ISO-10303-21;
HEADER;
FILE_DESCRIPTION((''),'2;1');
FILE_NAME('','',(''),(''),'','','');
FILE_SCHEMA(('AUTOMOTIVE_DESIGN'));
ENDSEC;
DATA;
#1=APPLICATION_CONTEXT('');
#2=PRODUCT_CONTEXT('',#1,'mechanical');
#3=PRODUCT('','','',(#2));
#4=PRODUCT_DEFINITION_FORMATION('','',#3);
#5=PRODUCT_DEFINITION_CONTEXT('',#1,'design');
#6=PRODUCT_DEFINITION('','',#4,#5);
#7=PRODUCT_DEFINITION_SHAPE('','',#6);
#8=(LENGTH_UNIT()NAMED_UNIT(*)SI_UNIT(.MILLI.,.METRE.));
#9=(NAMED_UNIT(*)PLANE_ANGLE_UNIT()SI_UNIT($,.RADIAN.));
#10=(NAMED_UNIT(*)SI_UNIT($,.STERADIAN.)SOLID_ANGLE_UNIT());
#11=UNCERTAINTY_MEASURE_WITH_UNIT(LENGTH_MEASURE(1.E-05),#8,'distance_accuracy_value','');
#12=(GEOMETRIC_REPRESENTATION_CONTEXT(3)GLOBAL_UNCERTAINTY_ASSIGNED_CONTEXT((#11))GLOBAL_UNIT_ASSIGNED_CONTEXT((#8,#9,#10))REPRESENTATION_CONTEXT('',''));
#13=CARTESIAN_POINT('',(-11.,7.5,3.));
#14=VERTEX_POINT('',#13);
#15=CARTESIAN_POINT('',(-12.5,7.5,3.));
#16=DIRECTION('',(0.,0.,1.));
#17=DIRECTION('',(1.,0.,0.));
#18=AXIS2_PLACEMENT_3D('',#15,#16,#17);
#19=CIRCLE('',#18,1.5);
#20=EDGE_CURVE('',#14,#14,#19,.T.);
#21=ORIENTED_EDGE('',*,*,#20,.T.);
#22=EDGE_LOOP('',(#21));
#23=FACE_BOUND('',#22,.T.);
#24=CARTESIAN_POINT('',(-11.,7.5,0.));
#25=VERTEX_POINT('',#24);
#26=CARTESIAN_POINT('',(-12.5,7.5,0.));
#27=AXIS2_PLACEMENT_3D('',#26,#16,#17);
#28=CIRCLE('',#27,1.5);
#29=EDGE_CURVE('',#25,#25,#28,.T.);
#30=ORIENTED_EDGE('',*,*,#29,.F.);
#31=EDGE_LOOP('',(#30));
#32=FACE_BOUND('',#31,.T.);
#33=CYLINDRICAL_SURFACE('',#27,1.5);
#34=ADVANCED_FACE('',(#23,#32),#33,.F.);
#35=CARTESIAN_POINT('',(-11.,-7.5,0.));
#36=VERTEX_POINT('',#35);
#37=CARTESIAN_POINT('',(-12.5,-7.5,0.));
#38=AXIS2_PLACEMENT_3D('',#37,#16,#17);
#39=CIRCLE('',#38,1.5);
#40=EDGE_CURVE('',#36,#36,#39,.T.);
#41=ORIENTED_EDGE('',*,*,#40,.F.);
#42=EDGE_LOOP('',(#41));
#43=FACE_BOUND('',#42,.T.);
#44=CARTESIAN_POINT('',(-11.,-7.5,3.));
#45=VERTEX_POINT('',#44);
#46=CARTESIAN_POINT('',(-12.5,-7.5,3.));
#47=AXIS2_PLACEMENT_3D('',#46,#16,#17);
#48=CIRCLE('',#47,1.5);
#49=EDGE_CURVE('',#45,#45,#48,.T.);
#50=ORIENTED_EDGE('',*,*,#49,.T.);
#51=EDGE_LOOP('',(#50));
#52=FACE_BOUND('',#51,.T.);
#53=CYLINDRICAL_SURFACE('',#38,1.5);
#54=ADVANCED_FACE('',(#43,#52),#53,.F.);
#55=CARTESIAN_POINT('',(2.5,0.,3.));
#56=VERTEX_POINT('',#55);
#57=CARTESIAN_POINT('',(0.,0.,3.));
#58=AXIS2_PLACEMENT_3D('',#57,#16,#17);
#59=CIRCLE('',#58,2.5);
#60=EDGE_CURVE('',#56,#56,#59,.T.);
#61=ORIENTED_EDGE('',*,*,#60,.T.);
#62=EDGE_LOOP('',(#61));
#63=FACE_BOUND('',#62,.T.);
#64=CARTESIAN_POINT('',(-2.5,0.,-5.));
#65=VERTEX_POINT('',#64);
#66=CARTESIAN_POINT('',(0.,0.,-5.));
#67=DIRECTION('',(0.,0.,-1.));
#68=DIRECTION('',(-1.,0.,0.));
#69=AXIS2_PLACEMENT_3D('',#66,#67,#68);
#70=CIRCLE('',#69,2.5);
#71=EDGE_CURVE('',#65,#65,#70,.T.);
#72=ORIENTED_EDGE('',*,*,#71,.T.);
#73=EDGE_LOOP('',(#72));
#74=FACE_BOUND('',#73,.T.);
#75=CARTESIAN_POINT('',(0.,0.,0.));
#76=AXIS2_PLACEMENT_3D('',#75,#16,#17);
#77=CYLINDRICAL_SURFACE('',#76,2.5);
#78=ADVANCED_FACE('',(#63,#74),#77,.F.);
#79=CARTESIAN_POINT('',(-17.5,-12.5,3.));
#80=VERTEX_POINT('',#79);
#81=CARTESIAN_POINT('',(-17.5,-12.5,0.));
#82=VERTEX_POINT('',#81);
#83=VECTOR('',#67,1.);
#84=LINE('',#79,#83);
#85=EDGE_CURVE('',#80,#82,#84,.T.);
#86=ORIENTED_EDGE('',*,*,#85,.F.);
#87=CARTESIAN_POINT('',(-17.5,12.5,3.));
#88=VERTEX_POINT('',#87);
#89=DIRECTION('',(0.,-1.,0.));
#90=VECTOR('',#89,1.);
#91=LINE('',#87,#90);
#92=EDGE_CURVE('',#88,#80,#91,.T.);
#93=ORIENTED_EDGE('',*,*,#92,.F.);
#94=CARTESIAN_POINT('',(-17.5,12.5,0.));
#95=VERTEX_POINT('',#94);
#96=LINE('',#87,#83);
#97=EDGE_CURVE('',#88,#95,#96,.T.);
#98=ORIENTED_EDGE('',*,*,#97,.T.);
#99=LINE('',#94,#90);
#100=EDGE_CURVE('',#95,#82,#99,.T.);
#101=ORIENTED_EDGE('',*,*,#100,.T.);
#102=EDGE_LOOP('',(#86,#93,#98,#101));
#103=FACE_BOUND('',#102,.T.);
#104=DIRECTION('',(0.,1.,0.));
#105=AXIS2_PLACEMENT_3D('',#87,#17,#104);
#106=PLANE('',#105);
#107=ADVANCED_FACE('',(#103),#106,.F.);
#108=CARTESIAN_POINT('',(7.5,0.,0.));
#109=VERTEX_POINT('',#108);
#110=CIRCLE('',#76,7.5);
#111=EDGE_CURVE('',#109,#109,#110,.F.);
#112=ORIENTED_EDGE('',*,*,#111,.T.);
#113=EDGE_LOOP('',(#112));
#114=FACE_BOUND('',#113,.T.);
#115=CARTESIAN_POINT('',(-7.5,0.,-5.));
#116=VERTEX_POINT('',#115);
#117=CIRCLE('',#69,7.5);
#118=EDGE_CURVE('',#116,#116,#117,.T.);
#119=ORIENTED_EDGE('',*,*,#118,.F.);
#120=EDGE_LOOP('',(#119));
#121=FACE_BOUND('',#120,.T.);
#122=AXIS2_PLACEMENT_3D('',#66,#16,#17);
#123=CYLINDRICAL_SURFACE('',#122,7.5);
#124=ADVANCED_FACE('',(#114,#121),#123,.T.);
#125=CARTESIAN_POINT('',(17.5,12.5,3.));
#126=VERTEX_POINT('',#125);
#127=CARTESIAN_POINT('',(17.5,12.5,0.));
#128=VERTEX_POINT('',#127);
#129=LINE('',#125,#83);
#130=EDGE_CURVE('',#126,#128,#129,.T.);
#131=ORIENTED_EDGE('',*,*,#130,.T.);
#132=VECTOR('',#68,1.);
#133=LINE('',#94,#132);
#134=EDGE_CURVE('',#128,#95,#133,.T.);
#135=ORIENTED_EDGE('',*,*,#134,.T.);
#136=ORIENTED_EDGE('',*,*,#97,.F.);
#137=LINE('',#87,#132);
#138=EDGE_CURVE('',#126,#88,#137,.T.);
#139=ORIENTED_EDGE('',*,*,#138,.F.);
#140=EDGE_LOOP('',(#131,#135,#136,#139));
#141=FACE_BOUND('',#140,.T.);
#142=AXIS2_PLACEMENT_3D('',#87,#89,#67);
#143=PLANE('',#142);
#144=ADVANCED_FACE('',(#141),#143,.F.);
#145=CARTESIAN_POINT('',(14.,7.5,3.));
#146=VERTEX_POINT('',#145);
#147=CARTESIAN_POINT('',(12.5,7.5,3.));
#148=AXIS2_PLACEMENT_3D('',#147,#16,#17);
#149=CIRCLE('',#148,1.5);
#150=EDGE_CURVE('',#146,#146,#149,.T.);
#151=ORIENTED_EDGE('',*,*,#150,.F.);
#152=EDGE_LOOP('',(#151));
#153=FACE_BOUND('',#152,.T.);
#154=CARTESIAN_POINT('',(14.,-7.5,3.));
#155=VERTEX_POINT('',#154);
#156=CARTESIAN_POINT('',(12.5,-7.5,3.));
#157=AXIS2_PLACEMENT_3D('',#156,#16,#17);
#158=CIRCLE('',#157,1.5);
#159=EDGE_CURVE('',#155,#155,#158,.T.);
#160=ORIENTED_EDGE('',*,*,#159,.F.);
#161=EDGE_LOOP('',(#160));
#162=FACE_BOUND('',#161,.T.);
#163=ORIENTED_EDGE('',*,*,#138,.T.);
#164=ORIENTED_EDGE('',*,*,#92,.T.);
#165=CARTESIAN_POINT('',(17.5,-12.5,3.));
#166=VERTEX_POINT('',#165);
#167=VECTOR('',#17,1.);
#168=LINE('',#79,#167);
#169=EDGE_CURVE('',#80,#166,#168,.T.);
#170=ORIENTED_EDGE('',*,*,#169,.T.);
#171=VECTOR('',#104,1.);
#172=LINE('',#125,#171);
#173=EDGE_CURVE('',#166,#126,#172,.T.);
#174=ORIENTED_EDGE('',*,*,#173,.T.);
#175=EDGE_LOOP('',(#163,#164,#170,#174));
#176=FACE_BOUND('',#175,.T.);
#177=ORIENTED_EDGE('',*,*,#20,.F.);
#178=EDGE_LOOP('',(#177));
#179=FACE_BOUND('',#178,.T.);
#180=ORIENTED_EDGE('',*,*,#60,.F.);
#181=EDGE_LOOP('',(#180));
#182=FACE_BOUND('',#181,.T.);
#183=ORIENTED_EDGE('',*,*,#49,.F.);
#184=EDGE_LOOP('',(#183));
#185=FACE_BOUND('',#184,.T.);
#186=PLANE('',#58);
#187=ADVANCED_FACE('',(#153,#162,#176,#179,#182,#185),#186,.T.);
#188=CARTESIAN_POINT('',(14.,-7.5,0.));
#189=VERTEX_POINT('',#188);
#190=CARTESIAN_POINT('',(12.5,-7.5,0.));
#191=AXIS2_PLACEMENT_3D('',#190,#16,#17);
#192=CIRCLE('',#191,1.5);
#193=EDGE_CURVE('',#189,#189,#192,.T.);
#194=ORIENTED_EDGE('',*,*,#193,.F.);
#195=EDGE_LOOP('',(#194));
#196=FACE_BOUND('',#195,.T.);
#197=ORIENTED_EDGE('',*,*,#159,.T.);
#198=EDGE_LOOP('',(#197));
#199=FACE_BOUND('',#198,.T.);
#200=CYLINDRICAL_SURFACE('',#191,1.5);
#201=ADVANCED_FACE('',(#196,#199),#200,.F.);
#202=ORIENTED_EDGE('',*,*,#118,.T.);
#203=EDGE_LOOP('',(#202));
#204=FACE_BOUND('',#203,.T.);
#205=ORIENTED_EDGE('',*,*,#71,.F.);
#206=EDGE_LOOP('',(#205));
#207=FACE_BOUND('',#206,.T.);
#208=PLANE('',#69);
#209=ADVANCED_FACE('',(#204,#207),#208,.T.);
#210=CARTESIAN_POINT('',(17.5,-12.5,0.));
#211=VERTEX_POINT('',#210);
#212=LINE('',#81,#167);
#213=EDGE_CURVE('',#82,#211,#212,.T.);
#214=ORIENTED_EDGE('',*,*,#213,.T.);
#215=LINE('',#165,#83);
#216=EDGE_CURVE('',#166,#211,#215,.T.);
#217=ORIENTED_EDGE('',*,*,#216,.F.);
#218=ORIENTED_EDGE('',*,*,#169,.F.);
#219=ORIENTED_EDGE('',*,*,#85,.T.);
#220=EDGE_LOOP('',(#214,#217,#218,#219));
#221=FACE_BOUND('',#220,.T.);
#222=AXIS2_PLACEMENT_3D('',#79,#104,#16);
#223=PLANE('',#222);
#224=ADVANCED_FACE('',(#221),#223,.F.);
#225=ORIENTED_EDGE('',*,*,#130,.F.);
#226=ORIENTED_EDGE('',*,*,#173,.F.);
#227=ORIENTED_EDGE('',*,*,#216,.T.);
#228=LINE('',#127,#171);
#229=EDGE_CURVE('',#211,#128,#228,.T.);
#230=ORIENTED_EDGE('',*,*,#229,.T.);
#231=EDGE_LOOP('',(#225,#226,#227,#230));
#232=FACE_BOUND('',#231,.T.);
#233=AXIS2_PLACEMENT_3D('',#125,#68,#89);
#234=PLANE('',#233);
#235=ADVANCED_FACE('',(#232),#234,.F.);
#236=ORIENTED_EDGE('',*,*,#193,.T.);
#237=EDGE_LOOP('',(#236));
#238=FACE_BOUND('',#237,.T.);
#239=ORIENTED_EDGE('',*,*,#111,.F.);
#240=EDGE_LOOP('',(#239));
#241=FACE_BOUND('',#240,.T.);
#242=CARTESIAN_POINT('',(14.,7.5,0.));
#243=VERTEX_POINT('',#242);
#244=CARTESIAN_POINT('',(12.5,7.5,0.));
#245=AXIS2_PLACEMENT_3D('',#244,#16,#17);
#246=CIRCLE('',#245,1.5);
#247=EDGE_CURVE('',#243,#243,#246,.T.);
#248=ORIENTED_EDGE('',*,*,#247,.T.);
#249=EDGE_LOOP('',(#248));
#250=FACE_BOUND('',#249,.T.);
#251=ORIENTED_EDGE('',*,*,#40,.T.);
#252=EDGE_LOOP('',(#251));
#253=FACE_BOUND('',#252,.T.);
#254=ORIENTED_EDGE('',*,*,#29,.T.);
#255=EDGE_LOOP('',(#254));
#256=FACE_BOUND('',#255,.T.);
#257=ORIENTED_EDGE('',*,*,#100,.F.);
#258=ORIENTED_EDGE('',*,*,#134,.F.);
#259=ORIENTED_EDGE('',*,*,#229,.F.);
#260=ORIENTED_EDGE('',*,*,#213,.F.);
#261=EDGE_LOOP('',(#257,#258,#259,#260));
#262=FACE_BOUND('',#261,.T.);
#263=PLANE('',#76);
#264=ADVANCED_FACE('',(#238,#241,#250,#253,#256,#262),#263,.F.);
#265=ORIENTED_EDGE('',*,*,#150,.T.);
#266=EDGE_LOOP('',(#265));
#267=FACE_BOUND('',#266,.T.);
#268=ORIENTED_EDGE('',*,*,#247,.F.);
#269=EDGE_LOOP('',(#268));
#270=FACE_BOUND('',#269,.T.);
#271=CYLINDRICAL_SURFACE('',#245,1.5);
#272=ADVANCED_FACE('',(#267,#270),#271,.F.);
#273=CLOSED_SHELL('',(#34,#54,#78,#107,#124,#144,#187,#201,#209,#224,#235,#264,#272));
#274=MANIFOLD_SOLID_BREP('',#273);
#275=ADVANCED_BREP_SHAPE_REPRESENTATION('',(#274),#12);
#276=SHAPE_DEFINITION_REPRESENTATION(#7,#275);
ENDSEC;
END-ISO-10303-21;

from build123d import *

# Parameters (mm, degrees)
SKETCH1_W           = 35
SKETCH1_H           = 25
BOSS_EXTRUDE1_DEPTH = 3
SKETCH2_R           = 2.5
SKETCH2_R_2         = 1.5
CUT_EXTRUDE1_DEPTH  = 3
SKETCH3_R           = 7.5
SKETCH3_R_2         = 2.5
BOSS_EXTRUDE2_DEPTH = 5


with BuildPart() as part:
    # Sketch1 → Boss-Extrude1 (new body)
    with BuildSketch(Plane.XY):
        Rectangle(SKETCH1_W, SKETCH1_H)
    extrude(amount=BOSS_EXTRUDE1_DEPTH)

    # Sketch2 → Cut-Extrude1 (cut)
    with BuildSketch(Plane.XY.offset(3)):
        Circle(SKETCH2_R)
        with Locations((-12.5, 7.5)):
            Circle(SKETCH2_R_2)
        with Locations((12.5, 7.5)):
            Circle(SKETCH2_R_2)
        with Locations((12.5, -7.5)):
            Circle(SKETCH2_R_2)
        with Locations((-12.5, -7.5)):
            Circle(SKETCH2_R_2)
    extrude(amount=-CUT_EXTRUDE1_DEPTH, mode=Mode.SUBTRACT)

    # Sketch3 → Boss-Extrude2 (add)
    with BuildSketch(Plane(origin=(0, 0, 0), x_dir=(-1, 0, 0), z_dir=(0, 0, -1))):
        with Locations(Location((0, 0, 0), (0, 0, 180))):
            Circle(SKETCH3_R)
        with Locations(Location((0, 0, 0), (0, 0, 180))):
            Circle(SKETCH3_R_2, mode=Mode.SUBTRACT)
    extrude(amount=BOSS_EXTRUDE2_DEPTH)


solid = part.part
